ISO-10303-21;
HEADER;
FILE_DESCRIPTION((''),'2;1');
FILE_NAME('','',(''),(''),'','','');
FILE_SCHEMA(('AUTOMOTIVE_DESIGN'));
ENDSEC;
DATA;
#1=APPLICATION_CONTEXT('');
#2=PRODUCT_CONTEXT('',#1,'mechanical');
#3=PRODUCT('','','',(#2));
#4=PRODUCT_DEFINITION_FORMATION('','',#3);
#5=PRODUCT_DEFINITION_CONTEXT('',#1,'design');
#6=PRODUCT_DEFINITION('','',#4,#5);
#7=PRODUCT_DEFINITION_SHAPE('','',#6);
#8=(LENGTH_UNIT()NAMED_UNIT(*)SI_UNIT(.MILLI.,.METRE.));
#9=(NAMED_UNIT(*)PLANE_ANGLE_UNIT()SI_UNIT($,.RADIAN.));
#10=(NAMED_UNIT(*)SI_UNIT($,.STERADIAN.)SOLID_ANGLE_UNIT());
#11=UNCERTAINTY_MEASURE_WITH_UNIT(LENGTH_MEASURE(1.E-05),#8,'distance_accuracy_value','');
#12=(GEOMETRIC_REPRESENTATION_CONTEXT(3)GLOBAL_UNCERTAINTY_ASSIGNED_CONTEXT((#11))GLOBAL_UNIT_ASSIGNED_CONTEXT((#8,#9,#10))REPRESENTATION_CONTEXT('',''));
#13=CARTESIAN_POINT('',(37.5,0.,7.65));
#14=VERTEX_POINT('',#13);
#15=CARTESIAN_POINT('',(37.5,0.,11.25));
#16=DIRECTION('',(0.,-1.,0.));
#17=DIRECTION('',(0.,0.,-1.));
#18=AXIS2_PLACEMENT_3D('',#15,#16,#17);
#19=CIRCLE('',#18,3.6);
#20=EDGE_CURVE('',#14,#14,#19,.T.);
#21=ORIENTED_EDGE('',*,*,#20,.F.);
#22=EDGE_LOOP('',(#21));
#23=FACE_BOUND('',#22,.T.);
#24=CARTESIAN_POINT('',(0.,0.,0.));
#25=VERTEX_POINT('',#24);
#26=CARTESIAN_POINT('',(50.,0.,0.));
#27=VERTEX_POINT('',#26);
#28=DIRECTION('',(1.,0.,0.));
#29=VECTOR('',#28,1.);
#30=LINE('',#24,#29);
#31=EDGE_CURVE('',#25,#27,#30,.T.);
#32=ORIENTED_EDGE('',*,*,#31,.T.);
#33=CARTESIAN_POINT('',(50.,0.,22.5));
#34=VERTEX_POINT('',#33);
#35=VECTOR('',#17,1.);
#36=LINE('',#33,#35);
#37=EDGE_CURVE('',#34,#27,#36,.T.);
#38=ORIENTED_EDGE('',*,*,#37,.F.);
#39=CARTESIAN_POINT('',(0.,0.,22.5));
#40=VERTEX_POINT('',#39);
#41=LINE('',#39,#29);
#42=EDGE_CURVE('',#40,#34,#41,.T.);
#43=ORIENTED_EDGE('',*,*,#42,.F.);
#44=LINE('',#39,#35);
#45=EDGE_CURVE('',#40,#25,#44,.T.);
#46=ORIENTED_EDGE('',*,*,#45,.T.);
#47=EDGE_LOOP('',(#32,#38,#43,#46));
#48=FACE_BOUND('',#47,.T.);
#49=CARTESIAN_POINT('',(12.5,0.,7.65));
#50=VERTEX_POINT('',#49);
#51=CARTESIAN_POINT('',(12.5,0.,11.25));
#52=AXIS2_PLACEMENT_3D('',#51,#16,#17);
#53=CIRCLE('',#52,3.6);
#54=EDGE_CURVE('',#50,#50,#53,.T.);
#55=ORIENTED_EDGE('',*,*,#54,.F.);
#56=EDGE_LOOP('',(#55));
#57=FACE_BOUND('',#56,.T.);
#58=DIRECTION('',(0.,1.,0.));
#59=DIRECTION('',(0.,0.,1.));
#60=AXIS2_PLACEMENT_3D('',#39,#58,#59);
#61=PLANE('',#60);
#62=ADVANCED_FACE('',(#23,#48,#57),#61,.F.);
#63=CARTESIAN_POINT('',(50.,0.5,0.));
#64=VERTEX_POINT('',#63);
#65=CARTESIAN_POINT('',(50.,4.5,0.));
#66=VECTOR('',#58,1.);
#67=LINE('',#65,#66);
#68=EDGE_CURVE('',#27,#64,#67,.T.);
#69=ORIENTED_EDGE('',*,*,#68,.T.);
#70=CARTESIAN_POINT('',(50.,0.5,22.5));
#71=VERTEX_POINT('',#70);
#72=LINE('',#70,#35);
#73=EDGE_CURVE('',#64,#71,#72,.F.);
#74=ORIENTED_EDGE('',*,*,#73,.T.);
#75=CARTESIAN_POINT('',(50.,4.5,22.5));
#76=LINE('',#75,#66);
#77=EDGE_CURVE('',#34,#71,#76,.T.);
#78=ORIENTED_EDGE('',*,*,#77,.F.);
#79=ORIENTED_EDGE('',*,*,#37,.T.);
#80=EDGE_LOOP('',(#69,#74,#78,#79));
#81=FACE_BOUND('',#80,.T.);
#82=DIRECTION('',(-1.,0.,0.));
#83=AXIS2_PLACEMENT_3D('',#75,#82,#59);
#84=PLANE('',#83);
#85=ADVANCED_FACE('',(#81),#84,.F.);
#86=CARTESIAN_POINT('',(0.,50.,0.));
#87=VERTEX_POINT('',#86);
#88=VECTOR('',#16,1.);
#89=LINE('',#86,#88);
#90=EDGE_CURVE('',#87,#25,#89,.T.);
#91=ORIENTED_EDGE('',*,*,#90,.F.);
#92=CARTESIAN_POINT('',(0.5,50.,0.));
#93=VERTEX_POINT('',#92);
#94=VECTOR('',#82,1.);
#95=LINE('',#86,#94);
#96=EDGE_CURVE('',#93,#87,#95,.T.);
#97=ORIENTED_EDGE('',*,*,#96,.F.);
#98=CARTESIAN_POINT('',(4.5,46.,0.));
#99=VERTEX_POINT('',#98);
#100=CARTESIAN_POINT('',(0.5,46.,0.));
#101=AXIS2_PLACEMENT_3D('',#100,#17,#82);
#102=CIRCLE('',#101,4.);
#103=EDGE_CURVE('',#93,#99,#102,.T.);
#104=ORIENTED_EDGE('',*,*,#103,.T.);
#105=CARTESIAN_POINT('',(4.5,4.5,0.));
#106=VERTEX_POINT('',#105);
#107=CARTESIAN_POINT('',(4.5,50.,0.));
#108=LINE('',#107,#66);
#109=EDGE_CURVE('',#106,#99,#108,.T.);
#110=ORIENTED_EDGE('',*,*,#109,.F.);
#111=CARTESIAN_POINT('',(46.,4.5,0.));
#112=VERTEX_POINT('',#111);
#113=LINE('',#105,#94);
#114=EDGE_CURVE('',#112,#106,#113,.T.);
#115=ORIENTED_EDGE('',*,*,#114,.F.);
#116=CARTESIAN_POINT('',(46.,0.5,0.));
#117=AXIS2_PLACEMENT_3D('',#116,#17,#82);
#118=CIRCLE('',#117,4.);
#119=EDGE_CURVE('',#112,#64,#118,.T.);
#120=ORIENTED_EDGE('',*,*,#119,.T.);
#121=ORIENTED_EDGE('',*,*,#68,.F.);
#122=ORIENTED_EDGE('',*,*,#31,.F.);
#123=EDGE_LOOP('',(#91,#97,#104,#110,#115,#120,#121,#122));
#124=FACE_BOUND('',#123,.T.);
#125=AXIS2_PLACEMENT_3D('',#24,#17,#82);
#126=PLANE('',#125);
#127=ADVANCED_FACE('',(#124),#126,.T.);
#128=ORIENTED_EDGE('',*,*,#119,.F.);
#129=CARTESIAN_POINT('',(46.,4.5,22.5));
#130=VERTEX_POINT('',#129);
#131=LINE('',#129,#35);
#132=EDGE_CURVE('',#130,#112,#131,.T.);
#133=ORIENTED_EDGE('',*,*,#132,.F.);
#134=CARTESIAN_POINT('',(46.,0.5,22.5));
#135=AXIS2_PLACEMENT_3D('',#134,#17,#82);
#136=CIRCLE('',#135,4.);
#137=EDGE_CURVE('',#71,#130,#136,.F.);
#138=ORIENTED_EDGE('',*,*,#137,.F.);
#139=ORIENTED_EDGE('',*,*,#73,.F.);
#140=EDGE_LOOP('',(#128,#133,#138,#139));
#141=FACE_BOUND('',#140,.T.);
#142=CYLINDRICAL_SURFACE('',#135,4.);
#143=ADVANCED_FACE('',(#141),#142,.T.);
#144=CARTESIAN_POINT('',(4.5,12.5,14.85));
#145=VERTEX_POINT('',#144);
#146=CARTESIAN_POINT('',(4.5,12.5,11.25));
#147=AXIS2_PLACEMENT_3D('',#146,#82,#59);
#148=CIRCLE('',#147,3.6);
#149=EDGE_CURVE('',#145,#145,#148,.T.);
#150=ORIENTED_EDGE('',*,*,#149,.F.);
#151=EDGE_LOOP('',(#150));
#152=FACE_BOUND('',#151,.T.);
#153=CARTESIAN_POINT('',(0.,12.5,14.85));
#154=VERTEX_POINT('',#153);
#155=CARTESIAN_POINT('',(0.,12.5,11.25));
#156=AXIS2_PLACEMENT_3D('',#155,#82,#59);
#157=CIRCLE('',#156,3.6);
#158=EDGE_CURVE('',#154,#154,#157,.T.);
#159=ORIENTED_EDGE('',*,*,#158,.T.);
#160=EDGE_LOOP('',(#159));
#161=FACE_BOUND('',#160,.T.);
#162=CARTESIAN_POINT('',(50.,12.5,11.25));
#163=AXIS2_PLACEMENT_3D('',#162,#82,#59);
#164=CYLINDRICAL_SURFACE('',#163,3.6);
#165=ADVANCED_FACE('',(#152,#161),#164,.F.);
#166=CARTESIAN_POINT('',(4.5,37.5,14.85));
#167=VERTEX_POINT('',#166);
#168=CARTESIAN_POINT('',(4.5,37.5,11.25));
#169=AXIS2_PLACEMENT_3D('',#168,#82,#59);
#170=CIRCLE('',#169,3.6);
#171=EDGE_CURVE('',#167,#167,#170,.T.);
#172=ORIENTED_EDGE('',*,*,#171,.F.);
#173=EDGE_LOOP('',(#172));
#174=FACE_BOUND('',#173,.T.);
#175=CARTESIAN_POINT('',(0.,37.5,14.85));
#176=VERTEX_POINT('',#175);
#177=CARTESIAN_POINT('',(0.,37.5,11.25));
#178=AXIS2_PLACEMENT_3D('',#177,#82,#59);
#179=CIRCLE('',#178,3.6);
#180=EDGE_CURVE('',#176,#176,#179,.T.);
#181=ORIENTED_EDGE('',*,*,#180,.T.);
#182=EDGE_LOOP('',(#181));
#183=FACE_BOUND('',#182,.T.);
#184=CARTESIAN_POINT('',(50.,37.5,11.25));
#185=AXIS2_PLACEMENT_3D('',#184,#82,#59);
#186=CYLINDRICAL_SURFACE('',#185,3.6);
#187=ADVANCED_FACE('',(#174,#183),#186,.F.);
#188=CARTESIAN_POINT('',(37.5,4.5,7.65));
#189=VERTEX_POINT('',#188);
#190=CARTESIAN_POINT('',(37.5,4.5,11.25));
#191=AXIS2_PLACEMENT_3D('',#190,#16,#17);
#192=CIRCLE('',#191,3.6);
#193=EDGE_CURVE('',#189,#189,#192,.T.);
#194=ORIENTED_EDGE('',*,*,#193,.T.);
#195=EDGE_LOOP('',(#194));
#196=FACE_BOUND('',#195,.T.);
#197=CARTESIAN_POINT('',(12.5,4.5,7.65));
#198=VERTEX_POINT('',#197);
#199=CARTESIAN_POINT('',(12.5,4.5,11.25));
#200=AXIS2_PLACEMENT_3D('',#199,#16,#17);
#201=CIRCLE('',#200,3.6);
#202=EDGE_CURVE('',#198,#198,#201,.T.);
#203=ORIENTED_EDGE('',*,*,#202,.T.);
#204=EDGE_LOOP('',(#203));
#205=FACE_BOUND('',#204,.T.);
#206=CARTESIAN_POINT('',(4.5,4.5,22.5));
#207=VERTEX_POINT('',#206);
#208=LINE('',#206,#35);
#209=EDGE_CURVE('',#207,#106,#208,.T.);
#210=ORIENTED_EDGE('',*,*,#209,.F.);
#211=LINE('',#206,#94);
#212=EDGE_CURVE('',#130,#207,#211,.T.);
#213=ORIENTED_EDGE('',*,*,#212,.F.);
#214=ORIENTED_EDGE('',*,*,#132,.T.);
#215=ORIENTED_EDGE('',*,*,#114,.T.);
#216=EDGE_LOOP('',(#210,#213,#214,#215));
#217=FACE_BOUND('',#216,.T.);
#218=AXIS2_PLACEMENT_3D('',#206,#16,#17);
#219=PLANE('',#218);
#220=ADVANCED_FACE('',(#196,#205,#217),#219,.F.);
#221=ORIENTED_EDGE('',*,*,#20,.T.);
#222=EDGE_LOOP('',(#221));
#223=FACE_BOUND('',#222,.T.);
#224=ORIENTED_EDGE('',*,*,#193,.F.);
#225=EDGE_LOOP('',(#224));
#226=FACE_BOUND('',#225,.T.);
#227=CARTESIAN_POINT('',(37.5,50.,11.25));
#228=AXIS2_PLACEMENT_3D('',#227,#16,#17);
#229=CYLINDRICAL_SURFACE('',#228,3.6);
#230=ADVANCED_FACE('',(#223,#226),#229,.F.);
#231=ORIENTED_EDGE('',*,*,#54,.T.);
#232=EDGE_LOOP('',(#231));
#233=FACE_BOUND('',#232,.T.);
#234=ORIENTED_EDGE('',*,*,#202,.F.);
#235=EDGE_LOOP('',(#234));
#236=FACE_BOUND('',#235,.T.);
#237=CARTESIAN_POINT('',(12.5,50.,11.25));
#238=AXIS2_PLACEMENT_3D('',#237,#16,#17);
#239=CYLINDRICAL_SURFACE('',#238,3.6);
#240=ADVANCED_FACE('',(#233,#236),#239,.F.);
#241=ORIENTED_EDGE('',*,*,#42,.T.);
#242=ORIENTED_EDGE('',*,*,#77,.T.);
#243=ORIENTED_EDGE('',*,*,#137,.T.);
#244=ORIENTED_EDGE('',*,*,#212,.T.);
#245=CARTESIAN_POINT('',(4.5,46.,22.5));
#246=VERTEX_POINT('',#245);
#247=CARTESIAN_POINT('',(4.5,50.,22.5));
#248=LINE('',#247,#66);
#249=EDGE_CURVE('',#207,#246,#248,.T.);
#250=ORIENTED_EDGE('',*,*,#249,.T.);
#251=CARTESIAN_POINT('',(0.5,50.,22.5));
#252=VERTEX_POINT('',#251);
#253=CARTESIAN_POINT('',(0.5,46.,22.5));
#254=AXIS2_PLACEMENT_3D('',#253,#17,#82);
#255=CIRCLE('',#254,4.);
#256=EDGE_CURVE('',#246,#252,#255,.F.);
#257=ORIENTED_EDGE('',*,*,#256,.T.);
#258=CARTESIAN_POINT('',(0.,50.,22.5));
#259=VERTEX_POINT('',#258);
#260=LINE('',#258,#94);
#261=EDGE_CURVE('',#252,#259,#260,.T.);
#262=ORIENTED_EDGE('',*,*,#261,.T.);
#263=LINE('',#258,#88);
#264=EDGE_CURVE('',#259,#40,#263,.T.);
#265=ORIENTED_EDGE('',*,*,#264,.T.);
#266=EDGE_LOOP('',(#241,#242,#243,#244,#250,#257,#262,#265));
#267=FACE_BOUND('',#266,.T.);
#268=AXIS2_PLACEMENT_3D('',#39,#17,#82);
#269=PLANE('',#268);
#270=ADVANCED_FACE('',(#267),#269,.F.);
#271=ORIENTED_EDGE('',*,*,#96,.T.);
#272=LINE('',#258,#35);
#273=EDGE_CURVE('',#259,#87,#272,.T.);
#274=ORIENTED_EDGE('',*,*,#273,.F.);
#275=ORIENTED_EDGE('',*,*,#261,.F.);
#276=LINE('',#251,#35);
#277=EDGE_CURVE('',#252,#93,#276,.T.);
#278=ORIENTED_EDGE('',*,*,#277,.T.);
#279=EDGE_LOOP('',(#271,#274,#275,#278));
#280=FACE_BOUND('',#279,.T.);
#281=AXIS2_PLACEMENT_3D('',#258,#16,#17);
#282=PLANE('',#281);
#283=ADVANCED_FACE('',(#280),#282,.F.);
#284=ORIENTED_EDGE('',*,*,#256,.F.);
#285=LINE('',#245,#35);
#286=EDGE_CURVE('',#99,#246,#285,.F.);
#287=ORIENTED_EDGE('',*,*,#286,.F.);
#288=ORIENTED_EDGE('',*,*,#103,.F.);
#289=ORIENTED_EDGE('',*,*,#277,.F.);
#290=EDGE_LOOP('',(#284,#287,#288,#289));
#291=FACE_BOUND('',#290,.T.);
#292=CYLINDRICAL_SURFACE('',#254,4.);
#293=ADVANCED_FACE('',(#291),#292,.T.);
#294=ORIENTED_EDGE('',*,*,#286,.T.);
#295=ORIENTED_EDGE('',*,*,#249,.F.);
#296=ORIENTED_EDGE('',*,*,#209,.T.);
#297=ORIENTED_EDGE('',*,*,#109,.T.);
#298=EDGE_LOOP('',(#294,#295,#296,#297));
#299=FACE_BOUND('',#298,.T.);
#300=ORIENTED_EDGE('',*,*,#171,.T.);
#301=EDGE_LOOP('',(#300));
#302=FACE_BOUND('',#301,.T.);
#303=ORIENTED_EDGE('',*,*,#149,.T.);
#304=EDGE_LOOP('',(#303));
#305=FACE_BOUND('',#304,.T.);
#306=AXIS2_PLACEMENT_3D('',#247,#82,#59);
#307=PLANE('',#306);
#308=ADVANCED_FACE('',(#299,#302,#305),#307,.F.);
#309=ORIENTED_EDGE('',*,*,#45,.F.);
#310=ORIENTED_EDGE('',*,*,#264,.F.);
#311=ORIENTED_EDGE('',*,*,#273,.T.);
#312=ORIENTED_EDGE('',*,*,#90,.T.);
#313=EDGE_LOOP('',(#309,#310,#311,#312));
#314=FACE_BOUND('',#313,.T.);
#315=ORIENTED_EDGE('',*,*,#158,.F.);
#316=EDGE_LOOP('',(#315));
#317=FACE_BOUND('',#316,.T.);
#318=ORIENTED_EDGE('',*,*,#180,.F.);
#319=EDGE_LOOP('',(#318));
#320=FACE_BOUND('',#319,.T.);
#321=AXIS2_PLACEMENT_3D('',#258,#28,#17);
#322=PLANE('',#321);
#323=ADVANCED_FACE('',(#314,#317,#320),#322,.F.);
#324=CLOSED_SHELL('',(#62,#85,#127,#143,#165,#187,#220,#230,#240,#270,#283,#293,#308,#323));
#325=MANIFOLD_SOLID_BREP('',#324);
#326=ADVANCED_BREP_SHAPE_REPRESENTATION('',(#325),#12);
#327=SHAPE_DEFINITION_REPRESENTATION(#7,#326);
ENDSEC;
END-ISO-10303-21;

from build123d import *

# Parameters (mm, degrees)
BOSS_EXTRUDE1_DEPTH = 22.5
SKETCH2_R           = 3.6
CUT_EXTRUDE1_DEPTH  = 51
SKETCH3_R           = 3.6
CUT_EXTRUDE2_DEPTH  = 51
FILLET1_R           = 4


with BuildPart() as part:
    # Sketch1 → Boss-Extrude1 (new body)
    with BuildSketch(Plane.XY):
        Polygon((0, 50), (0, 0), (50, 0), (50, 4.5), (4.5, 4.5), (4.5, 50), align=None)
    extrude(amount=BOSS_EXTRUDE1_DEPTH)

    # Sketch2 → Cut-Extrude1 (cut, through all)
    with BuildSketch(Plane.ZY):
        with Locations((11.25, 37.5)):
            Circle(SKETCH2_R)
        with Locations((11.25, 12.5)):
            Circle(SKETCH2_R)
    extrude(amount=-CUT_EXTRUDE1_DEPTH, mode=Mode.SUBTRACT)

    # Sketch3 → Cut-Extrude2 (cut, through all)
    with BuildSketch(Plane.XZ):
        with Locations((37.5, 11.25)):
            Circle(SKETCH3_R)
        with Locations((12.5, 11.25)):
            Circle(SKETCH3_R)
    extrude(amount=-CUT_EXTRUDE2_DEPTH, mode=Mode.SUBTRACT)

    # Fillet1
    fillet1_edges = [part.edges().sort_by_distance(p)[0] for p in [
        (4.5, 50, 11.25),
        (50, 4.5, 11.25),
    ]]
    fillet(fillet1_edges, radius=FILLET1_R)


solid = part.part
